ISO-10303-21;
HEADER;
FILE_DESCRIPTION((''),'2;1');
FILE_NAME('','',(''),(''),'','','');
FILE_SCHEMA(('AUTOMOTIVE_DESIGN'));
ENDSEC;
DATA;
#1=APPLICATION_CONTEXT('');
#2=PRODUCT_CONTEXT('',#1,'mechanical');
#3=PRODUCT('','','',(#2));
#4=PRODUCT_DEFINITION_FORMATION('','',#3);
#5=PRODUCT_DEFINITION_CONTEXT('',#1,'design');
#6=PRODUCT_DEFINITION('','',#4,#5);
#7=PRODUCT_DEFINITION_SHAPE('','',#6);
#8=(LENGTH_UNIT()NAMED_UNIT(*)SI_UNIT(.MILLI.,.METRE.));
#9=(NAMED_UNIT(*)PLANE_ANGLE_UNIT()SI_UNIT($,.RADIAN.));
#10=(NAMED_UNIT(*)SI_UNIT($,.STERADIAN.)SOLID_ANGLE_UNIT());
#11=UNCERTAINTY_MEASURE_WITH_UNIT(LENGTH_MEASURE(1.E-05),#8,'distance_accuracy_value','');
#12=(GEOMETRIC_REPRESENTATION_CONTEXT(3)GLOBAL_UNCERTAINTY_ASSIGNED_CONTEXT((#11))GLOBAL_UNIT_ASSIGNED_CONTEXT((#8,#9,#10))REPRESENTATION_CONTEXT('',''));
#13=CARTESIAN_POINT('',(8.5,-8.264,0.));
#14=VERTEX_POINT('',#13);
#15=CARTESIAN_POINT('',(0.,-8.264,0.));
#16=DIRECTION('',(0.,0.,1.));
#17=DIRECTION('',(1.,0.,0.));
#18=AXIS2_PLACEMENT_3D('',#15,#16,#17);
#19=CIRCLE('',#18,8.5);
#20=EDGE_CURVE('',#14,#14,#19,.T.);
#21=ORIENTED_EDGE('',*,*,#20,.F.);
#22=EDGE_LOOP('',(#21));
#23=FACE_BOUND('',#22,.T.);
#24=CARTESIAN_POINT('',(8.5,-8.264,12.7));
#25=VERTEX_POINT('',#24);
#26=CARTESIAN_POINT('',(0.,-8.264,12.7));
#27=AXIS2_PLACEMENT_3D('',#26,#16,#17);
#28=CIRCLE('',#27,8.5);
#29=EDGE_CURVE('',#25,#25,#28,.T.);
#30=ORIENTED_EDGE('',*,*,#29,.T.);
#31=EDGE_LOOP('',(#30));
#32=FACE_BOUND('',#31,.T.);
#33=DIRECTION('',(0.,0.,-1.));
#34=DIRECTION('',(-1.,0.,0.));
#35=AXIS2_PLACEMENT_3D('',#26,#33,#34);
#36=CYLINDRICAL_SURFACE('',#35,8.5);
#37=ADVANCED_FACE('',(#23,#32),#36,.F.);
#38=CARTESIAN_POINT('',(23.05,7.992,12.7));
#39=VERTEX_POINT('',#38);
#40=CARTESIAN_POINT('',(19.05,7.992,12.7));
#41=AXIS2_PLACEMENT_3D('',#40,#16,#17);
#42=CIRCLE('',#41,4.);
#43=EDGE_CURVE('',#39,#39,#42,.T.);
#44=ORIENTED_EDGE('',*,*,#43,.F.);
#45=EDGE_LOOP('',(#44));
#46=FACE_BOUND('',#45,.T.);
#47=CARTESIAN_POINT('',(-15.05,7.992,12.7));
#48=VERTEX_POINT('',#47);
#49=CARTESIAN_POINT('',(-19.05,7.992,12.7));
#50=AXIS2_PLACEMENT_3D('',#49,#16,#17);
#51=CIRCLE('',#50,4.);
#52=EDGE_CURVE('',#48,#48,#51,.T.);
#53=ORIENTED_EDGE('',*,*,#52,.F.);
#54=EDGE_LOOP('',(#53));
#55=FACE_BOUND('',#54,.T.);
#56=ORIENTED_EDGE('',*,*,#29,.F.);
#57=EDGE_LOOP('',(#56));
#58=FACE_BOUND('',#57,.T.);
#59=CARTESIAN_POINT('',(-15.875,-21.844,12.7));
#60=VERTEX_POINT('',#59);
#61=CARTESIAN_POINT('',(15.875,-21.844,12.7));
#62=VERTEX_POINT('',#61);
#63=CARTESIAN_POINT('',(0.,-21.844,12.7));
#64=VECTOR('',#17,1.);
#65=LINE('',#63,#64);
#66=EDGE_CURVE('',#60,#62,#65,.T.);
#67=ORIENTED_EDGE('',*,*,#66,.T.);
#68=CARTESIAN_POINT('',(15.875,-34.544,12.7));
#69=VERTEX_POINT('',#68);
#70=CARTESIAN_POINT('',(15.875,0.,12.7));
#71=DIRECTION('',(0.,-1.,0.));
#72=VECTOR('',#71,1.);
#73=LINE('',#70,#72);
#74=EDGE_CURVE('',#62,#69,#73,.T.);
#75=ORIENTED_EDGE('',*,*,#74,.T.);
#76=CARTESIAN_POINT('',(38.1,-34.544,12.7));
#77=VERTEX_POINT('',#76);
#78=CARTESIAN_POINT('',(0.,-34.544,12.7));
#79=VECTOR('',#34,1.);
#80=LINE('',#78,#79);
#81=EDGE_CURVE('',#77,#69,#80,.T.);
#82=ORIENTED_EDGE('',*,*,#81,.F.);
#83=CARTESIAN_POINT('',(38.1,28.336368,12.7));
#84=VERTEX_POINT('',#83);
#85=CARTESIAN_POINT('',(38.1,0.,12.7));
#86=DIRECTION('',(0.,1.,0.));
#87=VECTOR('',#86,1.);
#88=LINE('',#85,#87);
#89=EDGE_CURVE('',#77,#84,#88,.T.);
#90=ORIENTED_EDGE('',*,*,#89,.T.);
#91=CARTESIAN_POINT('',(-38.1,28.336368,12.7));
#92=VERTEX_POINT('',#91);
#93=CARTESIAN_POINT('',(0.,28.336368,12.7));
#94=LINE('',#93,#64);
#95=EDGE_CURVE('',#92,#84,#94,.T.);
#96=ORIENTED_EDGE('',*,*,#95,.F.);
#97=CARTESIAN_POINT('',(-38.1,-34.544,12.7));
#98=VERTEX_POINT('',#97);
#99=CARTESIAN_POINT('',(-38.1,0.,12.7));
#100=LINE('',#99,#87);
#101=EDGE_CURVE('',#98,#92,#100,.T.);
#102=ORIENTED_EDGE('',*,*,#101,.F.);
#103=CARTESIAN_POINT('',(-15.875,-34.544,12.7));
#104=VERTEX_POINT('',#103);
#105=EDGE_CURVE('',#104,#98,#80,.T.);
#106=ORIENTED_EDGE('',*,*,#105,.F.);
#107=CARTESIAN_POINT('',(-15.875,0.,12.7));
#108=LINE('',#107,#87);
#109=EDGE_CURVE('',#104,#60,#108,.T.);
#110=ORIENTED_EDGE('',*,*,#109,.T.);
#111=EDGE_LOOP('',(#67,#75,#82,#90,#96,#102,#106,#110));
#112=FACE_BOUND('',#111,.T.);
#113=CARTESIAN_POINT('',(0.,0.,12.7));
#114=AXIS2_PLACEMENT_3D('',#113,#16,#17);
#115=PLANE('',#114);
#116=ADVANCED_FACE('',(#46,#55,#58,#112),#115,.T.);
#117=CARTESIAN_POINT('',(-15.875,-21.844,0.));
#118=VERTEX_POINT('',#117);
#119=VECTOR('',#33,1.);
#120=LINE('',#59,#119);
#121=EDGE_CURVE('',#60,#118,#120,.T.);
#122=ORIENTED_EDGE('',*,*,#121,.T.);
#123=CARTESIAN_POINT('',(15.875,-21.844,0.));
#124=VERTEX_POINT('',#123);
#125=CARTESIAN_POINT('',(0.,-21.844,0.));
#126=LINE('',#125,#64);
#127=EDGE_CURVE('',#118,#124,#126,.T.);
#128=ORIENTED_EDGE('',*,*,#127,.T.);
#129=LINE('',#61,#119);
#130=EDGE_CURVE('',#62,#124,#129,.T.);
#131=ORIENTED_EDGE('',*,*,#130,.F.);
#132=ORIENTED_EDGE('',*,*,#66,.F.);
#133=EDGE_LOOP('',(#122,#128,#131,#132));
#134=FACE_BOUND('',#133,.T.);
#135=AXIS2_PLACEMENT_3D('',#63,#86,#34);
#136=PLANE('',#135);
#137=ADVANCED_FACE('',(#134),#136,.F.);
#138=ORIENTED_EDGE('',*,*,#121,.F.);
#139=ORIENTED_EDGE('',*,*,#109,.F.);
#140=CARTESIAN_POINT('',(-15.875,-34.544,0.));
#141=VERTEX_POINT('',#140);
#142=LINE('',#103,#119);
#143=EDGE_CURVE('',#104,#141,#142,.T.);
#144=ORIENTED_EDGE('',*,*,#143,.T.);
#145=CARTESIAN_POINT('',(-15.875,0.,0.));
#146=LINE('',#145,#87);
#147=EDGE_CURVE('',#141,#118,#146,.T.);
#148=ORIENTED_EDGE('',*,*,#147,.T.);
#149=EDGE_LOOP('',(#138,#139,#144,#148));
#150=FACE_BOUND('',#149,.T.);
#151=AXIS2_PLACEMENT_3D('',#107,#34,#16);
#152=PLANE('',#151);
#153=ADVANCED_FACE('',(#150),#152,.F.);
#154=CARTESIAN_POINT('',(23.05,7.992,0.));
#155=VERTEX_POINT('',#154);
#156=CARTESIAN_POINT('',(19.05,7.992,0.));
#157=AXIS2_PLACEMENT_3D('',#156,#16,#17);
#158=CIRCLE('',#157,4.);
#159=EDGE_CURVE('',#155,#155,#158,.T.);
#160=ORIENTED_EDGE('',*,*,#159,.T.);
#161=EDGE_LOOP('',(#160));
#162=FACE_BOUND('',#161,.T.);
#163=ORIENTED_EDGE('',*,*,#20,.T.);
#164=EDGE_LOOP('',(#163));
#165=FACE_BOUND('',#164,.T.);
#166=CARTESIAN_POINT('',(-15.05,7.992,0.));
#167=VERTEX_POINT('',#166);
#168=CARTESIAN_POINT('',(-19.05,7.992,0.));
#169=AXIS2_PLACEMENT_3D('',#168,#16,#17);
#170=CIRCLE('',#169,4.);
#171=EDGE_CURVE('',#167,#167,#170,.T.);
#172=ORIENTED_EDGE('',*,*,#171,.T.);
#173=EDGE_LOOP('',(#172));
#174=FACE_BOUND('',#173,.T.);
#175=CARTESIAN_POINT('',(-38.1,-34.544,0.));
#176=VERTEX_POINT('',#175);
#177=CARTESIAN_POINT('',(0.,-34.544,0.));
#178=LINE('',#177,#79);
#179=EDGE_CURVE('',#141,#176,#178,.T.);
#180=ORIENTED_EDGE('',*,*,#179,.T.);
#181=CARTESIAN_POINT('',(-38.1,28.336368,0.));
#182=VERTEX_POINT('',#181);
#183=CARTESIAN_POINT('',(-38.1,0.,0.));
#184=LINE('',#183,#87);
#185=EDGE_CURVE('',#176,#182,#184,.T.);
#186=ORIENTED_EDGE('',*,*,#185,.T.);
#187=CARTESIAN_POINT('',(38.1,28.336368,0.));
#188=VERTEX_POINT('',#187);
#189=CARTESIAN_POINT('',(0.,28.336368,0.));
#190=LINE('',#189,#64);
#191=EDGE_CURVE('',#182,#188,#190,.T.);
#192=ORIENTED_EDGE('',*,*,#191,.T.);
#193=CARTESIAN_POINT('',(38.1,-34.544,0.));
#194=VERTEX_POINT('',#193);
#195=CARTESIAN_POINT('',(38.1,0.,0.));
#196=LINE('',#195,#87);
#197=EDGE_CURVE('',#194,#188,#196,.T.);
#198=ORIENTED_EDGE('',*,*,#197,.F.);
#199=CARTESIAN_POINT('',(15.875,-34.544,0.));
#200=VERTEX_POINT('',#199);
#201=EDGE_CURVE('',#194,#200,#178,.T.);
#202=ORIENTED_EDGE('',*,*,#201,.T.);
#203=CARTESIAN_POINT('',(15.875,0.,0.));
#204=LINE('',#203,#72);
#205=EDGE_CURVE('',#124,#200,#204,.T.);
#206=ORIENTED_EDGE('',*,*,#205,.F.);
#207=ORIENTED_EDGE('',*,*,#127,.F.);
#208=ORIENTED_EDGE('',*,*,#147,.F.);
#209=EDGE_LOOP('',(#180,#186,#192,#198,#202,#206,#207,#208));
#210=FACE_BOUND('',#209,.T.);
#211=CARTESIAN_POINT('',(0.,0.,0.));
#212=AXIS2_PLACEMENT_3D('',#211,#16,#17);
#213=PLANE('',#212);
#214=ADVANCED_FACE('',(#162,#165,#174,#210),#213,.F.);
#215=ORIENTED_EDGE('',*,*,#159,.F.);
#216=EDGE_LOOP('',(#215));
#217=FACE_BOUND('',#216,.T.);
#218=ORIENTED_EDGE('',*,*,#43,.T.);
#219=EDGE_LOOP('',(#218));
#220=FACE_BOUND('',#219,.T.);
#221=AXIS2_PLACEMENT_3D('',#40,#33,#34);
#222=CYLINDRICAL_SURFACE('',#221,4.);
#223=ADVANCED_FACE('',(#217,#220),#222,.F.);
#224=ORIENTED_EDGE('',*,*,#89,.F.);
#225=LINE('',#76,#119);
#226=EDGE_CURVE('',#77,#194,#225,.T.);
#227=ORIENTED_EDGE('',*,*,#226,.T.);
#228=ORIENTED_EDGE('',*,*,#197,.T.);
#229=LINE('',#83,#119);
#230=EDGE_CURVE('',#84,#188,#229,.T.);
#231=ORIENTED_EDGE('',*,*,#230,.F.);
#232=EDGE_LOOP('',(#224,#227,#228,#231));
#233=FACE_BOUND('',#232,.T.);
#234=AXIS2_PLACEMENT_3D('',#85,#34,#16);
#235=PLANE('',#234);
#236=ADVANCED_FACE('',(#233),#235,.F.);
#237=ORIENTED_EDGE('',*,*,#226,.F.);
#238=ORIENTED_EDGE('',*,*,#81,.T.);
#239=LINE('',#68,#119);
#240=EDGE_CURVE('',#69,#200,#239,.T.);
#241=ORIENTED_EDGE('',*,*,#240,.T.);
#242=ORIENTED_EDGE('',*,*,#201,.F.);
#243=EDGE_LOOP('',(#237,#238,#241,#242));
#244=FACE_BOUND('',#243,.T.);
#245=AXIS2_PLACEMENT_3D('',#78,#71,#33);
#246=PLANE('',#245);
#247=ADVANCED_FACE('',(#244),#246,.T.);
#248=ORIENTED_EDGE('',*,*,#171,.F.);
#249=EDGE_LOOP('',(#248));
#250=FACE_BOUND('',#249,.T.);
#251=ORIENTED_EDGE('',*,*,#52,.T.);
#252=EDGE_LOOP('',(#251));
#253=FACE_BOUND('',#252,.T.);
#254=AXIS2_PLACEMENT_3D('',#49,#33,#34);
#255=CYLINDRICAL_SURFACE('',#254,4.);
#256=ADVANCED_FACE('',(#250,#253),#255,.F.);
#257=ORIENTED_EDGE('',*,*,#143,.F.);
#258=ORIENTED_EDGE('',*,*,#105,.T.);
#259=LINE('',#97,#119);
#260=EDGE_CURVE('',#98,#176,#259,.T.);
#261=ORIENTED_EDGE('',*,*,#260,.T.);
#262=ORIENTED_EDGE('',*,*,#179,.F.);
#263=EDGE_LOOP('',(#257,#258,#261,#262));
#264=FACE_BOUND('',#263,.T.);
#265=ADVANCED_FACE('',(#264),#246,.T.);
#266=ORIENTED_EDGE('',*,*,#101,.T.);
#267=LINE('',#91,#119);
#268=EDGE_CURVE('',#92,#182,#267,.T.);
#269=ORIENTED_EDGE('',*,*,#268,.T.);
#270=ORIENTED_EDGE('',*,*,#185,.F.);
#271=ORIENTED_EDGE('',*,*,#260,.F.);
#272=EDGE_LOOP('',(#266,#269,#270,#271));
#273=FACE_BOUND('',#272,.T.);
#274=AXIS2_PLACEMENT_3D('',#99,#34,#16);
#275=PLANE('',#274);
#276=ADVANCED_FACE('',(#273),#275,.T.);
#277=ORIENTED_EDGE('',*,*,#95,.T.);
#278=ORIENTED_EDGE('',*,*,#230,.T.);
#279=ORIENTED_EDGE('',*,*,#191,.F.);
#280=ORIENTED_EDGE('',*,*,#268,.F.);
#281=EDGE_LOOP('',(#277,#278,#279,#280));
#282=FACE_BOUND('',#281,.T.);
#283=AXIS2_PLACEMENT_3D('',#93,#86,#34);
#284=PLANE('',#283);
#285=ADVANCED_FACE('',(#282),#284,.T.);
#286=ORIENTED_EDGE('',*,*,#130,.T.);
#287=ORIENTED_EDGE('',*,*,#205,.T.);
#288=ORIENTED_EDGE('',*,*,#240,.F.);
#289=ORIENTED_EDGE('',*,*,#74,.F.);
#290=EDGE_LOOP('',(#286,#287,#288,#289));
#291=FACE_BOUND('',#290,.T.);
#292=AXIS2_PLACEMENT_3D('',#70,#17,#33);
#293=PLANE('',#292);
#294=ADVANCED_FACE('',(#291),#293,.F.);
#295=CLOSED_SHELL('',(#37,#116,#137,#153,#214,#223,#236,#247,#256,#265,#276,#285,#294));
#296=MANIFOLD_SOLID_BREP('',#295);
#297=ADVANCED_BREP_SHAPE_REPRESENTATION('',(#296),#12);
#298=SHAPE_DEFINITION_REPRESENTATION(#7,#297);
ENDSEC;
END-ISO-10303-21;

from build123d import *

# Parameters (mm, degrees)
SKETCH1_R           = 4
BOSS_EXTRUDE1_DEPTH = 12.7


with BuildPart() as part:
    # Sketch1 → Boss-Extrude1 (new body)
    with BuildSketch(Plane.XY):
        Polygon((-38.1, -34.544), (-15.875, -34.544), (-15.875, -21.844), (0, -21.844), (15.875, -21.844), (15.875, -34.544), (38.1, -34.544), (38.1, 28.336368082), (-19.05, 28.336368082), (-38.1, 28.336368082), align=None)
        with BuildLine():
            ThreePointArc((8.5, -8.264), (6.01040764, -14.27440764), (0, -16.764))
            ThreePointArc((0, -16.764), (-6.01040764, -2.25359236), (8.5, -8.264))
        make_face(mode=Mode.SUBTRACT)
        with Locations((-19.05, 7.992)):
            Circle(SKETCH1_R, mode=Mode.SUBTRACT)
        with Locations((19.05, 7.992)):
            Circle(SKETCH1_R, mode=Mode.SUBTRACT)
    extrude(amount=BOSS_EXTRUDE1_DEPTH)


solid = part.part
